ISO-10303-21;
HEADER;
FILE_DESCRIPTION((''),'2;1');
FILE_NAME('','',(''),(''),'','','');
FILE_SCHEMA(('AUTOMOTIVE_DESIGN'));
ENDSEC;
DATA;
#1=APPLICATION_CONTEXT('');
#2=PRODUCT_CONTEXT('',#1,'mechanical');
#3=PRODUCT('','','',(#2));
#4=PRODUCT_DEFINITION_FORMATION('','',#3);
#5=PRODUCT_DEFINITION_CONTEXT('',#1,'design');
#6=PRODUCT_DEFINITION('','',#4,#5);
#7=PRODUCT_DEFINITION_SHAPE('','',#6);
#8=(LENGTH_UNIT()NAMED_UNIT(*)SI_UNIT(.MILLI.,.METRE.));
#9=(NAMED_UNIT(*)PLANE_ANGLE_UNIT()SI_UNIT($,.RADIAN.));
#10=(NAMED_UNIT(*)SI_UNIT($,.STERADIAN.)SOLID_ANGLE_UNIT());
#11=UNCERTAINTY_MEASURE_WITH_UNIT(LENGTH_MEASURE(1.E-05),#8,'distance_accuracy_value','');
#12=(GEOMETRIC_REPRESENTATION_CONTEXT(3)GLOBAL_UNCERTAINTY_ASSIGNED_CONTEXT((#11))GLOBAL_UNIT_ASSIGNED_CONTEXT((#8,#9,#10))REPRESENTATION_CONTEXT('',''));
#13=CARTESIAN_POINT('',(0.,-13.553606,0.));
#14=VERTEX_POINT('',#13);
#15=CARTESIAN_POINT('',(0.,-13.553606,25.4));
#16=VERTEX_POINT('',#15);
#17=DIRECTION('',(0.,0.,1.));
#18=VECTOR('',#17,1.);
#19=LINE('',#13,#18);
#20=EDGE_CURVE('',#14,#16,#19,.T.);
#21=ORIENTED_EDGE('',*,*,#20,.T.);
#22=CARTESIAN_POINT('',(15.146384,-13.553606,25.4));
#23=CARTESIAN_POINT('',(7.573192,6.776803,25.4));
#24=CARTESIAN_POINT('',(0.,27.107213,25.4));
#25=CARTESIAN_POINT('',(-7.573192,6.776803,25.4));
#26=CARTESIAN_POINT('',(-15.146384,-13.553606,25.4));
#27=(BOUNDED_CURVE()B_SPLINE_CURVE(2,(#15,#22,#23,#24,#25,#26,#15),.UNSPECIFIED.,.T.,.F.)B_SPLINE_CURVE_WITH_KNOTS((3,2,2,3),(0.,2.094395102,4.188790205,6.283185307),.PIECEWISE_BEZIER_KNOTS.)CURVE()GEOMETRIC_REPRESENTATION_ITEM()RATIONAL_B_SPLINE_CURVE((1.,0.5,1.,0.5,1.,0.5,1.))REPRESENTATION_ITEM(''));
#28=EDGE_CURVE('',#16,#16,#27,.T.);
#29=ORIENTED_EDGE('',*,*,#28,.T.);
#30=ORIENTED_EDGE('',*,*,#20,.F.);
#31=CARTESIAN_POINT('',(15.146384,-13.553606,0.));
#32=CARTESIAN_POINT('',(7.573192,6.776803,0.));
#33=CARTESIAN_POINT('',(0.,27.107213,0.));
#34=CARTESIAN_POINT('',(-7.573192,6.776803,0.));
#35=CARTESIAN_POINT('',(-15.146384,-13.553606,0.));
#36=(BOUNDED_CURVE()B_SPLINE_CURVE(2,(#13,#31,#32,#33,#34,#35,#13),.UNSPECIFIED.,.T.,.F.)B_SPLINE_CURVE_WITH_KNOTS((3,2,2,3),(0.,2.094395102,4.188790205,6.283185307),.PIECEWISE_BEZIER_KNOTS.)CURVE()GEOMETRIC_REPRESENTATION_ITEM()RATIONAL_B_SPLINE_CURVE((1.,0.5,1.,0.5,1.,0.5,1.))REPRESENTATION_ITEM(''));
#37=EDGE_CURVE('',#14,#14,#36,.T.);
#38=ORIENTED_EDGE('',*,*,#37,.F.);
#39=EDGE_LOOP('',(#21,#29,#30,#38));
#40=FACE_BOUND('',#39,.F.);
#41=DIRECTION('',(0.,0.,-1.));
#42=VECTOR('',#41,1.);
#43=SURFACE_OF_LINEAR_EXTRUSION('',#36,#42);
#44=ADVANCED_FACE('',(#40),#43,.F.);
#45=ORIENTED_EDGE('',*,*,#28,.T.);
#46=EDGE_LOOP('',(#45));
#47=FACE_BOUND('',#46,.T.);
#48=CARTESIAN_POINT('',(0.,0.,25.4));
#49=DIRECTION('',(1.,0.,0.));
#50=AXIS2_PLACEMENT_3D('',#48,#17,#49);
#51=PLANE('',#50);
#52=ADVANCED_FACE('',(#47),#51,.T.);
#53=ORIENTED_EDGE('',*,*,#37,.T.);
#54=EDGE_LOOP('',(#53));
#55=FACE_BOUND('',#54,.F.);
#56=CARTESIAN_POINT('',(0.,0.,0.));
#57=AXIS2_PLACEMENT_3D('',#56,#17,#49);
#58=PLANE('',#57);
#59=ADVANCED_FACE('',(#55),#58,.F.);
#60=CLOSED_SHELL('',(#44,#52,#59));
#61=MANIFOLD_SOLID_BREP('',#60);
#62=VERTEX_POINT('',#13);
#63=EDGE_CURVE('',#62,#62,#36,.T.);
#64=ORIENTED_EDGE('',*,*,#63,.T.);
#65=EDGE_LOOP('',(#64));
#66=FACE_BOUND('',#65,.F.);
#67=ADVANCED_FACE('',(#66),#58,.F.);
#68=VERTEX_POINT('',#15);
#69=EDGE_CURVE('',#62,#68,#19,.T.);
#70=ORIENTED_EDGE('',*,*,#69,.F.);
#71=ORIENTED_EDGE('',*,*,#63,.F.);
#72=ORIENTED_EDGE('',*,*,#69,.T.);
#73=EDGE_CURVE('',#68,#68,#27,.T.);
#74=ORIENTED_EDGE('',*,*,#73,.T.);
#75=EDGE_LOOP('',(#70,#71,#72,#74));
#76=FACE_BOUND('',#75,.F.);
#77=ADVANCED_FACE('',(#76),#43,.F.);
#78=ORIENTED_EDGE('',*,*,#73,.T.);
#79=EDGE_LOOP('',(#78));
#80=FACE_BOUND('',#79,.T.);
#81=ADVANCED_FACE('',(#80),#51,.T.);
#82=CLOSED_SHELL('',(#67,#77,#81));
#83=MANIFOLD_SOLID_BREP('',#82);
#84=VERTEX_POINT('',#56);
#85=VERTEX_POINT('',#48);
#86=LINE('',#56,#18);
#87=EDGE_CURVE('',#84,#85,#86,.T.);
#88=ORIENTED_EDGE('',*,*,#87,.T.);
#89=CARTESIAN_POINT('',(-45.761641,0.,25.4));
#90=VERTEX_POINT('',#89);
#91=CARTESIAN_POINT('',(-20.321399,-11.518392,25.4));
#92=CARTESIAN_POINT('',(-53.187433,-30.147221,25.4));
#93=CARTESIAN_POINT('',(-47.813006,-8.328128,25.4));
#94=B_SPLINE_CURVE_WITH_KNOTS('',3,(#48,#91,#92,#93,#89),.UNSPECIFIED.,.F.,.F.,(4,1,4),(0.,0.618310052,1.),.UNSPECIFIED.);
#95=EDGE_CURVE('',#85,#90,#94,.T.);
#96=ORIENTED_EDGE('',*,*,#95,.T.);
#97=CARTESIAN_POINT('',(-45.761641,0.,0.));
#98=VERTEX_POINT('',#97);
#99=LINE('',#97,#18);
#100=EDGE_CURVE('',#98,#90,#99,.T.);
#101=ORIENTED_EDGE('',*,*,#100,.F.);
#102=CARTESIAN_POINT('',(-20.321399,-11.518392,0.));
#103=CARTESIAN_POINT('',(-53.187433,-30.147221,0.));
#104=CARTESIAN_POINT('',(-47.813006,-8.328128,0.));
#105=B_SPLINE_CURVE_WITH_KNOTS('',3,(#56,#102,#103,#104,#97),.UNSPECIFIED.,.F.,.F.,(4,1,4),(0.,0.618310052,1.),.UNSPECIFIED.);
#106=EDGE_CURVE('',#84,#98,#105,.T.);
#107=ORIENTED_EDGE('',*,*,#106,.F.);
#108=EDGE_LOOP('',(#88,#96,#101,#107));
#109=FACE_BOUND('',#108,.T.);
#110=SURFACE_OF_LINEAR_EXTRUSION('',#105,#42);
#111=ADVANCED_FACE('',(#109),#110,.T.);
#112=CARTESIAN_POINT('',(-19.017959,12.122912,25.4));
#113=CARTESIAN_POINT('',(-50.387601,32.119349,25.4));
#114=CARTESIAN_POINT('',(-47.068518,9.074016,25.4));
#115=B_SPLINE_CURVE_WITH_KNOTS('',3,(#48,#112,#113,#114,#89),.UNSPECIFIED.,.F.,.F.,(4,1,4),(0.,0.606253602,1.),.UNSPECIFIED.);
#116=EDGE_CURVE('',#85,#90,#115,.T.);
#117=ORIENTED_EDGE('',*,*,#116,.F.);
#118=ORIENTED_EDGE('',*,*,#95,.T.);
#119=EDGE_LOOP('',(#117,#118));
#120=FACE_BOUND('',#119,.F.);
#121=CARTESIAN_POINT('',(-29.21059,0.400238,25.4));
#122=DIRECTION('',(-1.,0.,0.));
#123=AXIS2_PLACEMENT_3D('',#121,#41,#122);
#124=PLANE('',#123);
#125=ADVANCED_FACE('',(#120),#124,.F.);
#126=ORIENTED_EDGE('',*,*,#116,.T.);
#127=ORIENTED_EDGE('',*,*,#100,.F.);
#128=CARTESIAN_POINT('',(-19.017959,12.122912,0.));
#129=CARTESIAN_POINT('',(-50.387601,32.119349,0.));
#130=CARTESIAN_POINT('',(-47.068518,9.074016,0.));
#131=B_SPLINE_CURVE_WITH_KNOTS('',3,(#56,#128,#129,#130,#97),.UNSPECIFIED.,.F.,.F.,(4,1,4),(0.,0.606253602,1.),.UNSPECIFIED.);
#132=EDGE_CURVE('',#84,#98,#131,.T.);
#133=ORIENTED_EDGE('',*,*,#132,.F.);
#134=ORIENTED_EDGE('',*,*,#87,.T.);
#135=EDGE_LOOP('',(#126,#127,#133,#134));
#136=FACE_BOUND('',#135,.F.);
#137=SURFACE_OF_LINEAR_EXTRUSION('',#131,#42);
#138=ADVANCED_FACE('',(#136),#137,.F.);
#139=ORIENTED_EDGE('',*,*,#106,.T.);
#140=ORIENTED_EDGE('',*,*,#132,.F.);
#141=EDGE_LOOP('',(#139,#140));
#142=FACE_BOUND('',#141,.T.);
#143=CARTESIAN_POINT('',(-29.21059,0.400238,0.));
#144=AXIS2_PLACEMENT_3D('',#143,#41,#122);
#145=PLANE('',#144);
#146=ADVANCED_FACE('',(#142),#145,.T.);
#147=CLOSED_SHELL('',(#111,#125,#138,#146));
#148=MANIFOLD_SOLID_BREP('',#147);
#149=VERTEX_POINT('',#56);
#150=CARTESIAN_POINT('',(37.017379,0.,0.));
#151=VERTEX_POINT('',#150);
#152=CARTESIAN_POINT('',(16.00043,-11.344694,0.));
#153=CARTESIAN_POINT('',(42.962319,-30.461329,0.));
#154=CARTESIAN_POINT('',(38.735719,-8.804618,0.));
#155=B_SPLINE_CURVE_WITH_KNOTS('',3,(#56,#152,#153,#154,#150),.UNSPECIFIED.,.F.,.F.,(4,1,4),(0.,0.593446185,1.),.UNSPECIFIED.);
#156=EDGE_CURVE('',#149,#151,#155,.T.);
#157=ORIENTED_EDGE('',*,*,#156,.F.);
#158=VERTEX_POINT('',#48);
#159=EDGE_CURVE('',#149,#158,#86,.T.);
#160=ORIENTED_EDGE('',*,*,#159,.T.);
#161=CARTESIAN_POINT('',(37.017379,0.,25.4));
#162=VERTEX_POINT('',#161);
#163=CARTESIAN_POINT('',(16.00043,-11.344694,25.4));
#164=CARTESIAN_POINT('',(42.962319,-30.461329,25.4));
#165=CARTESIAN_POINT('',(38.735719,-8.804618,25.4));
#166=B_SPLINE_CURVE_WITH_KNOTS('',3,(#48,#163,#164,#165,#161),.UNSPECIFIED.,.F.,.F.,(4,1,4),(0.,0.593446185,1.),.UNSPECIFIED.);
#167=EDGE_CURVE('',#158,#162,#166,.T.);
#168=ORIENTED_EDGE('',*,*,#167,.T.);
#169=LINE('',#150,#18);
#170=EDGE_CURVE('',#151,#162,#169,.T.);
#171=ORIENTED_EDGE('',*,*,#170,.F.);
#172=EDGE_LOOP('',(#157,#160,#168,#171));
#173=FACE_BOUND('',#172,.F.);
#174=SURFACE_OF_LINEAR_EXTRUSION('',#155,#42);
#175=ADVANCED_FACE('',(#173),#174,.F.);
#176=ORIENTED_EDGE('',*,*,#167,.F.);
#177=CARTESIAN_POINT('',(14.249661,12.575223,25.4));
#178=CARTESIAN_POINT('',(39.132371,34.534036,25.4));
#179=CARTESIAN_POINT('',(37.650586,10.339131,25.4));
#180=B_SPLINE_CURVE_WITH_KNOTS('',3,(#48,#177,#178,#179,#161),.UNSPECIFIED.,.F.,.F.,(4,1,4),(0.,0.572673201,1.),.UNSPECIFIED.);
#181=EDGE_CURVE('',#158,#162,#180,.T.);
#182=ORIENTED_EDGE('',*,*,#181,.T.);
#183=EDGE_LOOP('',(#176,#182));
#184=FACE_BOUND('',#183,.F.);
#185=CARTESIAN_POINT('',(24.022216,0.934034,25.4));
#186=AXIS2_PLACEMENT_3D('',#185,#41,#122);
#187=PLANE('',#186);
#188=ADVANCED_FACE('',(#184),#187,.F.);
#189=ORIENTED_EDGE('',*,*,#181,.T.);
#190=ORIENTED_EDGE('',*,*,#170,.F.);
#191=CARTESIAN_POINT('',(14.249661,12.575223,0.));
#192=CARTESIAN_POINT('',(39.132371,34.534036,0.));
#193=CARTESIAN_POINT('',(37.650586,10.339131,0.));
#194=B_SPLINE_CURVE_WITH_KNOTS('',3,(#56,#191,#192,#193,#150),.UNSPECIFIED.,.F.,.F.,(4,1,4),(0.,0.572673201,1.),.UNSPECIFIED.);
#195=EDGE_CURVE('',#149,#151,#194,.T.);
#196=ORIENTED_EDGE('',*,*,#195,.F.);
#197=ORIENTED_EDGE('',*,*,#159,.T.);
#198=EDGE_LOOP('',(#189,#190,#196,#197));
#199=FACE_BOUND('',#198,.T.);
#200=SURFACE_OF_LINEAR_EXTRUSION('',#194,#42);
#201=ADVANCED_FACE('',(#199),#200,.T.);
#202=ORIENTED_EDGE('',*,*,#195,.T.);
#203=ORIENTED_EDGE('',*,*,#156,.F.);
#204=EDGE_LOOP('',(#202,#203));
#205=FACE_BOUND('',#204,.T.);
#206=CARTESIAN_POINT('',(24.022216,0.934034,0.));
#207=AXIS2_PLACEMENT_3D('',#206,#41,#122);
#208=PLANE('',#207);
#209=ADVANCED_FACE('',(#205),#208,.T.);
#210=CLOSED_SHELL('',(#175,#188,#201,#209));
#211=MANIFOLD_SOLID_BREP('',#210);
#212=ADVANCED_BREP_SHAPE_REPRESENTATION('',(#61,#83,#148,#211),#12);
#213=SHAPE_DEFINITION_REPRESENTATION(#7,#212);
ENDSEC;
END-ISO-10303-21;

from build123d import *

# Parameters (mm, degrees)
F2_DEPTH = 25.4
F3_DEPTH = 25.4


with BuildPart() as f2:
    # F1 (on Top) → F2 (new body)
    with BuildSketch(Plane.XY):
        with BuildLine():
            add(Edge.make_bspline(
                [(0, 0), (-20.3213992712, -11.5183919846), (-53.1874333933, -30.1472205878), (-47.8130060192, -8.3281282262), (-45.761641115, 0)],
                knots=[0, 0, 0, 0, 0.6183100521, 1, 1, 1, 1], degree=3))
            add(Edge.make_bspline(
                [(0, 0), (-19.0179586188, 12.1229117989), (-50.3876008976, 32.1193485422), (-47.0685180367, 9.0740164905), (-45.761641115, 0)],
                knots=[0, 0, 0, 0, 0.6062536018, 1, 1, 1, 1], degree=3))
        make_face()
    extrude(amount=F2_DEPTH)


with BuildPart() as f2b:
    # F1 (on Top) → F2, piece 2 (new body)
    with BuildSketch(Plane.XY):
        with BuildLine():
            add(Edge.make_bspline(
                [(0, 0), (14.2496612162, 12.5752232906), (39.1323712598, 34.5340355124), (37.650585655, 10.3391310641), (37.0173789561, 0)],
                knots=[0, 0, 0, 0, 0.5726732012, 1, 1, 1, 1], degree=3))
            add(Edge.make_bspline(
                [(0, 0), (16.0004300417, -11.3446941278), (42.9623188079, -30.4613291408), (38.7357191638, -8.8046183727), (37.0173789561, 0)],
                knots=[0, 0, 0, 0, 0.5934461855, 1, 1, 1, 1], degree=3))
        make_face()
    extrude(amount=F2_DEPTH)


with BuildPart() as f2c:
    # F0 (on Top) → F2, piece 3 (new body)
    with BuildSketch(Plane.XY):
        with BuildLine():
            add(Edge.make_bspline(
                [(0, -13.5536063462), (15.1463835871, -13.5536063462), (7.5731917935, 6.7768031731), (0, 27.1072126925), (-7.5731917935, 6.7768031731), (-15.1463835871, -13.5536063462), (0, -13.5536063462)],
                knots=[0, 0, 0, 2.0943951024, 2.0943951024, 4.1887902048, 4.1887902048, 6.2831853072, 6.2831853072, 6.2831853072], degree=2, weights=[1, 0.5, 1, 0.5, 1, 0.5, 1]))
        make_face()
    extrude(amount=F2_DEPTH)


with BuildPart() as f3:
    # F0 (on Top) → F3 (new body)
    with BuildSketch(Plane.XY):
        with BuildLine():
            add(Edge.make_bspline(
                [(0, -13.5536063462), (15.1463835871, -13.5536063462), (7.5731917935, 6.7768031731), (0, 27.1072126925), (-7.5731917935, 6.7768031731), (-15.1463835871, -13.5536063462), (0, -13.5536063462)],
                knots=[0, 0, 0, 2.0943951024, 2.0943951024, 4.1887902048, 4.1887902048, 6.2831853072, 6.2831853072, 6.2831853072], degree=2, weights=[1, 0.5, 1, 0.5, 1, 0.5, 1]))
        make_face()
    extrude(amount=F3_DEPTH)


solid = Compound([f2.part, f2b.part, f2c.part, f3.part])
